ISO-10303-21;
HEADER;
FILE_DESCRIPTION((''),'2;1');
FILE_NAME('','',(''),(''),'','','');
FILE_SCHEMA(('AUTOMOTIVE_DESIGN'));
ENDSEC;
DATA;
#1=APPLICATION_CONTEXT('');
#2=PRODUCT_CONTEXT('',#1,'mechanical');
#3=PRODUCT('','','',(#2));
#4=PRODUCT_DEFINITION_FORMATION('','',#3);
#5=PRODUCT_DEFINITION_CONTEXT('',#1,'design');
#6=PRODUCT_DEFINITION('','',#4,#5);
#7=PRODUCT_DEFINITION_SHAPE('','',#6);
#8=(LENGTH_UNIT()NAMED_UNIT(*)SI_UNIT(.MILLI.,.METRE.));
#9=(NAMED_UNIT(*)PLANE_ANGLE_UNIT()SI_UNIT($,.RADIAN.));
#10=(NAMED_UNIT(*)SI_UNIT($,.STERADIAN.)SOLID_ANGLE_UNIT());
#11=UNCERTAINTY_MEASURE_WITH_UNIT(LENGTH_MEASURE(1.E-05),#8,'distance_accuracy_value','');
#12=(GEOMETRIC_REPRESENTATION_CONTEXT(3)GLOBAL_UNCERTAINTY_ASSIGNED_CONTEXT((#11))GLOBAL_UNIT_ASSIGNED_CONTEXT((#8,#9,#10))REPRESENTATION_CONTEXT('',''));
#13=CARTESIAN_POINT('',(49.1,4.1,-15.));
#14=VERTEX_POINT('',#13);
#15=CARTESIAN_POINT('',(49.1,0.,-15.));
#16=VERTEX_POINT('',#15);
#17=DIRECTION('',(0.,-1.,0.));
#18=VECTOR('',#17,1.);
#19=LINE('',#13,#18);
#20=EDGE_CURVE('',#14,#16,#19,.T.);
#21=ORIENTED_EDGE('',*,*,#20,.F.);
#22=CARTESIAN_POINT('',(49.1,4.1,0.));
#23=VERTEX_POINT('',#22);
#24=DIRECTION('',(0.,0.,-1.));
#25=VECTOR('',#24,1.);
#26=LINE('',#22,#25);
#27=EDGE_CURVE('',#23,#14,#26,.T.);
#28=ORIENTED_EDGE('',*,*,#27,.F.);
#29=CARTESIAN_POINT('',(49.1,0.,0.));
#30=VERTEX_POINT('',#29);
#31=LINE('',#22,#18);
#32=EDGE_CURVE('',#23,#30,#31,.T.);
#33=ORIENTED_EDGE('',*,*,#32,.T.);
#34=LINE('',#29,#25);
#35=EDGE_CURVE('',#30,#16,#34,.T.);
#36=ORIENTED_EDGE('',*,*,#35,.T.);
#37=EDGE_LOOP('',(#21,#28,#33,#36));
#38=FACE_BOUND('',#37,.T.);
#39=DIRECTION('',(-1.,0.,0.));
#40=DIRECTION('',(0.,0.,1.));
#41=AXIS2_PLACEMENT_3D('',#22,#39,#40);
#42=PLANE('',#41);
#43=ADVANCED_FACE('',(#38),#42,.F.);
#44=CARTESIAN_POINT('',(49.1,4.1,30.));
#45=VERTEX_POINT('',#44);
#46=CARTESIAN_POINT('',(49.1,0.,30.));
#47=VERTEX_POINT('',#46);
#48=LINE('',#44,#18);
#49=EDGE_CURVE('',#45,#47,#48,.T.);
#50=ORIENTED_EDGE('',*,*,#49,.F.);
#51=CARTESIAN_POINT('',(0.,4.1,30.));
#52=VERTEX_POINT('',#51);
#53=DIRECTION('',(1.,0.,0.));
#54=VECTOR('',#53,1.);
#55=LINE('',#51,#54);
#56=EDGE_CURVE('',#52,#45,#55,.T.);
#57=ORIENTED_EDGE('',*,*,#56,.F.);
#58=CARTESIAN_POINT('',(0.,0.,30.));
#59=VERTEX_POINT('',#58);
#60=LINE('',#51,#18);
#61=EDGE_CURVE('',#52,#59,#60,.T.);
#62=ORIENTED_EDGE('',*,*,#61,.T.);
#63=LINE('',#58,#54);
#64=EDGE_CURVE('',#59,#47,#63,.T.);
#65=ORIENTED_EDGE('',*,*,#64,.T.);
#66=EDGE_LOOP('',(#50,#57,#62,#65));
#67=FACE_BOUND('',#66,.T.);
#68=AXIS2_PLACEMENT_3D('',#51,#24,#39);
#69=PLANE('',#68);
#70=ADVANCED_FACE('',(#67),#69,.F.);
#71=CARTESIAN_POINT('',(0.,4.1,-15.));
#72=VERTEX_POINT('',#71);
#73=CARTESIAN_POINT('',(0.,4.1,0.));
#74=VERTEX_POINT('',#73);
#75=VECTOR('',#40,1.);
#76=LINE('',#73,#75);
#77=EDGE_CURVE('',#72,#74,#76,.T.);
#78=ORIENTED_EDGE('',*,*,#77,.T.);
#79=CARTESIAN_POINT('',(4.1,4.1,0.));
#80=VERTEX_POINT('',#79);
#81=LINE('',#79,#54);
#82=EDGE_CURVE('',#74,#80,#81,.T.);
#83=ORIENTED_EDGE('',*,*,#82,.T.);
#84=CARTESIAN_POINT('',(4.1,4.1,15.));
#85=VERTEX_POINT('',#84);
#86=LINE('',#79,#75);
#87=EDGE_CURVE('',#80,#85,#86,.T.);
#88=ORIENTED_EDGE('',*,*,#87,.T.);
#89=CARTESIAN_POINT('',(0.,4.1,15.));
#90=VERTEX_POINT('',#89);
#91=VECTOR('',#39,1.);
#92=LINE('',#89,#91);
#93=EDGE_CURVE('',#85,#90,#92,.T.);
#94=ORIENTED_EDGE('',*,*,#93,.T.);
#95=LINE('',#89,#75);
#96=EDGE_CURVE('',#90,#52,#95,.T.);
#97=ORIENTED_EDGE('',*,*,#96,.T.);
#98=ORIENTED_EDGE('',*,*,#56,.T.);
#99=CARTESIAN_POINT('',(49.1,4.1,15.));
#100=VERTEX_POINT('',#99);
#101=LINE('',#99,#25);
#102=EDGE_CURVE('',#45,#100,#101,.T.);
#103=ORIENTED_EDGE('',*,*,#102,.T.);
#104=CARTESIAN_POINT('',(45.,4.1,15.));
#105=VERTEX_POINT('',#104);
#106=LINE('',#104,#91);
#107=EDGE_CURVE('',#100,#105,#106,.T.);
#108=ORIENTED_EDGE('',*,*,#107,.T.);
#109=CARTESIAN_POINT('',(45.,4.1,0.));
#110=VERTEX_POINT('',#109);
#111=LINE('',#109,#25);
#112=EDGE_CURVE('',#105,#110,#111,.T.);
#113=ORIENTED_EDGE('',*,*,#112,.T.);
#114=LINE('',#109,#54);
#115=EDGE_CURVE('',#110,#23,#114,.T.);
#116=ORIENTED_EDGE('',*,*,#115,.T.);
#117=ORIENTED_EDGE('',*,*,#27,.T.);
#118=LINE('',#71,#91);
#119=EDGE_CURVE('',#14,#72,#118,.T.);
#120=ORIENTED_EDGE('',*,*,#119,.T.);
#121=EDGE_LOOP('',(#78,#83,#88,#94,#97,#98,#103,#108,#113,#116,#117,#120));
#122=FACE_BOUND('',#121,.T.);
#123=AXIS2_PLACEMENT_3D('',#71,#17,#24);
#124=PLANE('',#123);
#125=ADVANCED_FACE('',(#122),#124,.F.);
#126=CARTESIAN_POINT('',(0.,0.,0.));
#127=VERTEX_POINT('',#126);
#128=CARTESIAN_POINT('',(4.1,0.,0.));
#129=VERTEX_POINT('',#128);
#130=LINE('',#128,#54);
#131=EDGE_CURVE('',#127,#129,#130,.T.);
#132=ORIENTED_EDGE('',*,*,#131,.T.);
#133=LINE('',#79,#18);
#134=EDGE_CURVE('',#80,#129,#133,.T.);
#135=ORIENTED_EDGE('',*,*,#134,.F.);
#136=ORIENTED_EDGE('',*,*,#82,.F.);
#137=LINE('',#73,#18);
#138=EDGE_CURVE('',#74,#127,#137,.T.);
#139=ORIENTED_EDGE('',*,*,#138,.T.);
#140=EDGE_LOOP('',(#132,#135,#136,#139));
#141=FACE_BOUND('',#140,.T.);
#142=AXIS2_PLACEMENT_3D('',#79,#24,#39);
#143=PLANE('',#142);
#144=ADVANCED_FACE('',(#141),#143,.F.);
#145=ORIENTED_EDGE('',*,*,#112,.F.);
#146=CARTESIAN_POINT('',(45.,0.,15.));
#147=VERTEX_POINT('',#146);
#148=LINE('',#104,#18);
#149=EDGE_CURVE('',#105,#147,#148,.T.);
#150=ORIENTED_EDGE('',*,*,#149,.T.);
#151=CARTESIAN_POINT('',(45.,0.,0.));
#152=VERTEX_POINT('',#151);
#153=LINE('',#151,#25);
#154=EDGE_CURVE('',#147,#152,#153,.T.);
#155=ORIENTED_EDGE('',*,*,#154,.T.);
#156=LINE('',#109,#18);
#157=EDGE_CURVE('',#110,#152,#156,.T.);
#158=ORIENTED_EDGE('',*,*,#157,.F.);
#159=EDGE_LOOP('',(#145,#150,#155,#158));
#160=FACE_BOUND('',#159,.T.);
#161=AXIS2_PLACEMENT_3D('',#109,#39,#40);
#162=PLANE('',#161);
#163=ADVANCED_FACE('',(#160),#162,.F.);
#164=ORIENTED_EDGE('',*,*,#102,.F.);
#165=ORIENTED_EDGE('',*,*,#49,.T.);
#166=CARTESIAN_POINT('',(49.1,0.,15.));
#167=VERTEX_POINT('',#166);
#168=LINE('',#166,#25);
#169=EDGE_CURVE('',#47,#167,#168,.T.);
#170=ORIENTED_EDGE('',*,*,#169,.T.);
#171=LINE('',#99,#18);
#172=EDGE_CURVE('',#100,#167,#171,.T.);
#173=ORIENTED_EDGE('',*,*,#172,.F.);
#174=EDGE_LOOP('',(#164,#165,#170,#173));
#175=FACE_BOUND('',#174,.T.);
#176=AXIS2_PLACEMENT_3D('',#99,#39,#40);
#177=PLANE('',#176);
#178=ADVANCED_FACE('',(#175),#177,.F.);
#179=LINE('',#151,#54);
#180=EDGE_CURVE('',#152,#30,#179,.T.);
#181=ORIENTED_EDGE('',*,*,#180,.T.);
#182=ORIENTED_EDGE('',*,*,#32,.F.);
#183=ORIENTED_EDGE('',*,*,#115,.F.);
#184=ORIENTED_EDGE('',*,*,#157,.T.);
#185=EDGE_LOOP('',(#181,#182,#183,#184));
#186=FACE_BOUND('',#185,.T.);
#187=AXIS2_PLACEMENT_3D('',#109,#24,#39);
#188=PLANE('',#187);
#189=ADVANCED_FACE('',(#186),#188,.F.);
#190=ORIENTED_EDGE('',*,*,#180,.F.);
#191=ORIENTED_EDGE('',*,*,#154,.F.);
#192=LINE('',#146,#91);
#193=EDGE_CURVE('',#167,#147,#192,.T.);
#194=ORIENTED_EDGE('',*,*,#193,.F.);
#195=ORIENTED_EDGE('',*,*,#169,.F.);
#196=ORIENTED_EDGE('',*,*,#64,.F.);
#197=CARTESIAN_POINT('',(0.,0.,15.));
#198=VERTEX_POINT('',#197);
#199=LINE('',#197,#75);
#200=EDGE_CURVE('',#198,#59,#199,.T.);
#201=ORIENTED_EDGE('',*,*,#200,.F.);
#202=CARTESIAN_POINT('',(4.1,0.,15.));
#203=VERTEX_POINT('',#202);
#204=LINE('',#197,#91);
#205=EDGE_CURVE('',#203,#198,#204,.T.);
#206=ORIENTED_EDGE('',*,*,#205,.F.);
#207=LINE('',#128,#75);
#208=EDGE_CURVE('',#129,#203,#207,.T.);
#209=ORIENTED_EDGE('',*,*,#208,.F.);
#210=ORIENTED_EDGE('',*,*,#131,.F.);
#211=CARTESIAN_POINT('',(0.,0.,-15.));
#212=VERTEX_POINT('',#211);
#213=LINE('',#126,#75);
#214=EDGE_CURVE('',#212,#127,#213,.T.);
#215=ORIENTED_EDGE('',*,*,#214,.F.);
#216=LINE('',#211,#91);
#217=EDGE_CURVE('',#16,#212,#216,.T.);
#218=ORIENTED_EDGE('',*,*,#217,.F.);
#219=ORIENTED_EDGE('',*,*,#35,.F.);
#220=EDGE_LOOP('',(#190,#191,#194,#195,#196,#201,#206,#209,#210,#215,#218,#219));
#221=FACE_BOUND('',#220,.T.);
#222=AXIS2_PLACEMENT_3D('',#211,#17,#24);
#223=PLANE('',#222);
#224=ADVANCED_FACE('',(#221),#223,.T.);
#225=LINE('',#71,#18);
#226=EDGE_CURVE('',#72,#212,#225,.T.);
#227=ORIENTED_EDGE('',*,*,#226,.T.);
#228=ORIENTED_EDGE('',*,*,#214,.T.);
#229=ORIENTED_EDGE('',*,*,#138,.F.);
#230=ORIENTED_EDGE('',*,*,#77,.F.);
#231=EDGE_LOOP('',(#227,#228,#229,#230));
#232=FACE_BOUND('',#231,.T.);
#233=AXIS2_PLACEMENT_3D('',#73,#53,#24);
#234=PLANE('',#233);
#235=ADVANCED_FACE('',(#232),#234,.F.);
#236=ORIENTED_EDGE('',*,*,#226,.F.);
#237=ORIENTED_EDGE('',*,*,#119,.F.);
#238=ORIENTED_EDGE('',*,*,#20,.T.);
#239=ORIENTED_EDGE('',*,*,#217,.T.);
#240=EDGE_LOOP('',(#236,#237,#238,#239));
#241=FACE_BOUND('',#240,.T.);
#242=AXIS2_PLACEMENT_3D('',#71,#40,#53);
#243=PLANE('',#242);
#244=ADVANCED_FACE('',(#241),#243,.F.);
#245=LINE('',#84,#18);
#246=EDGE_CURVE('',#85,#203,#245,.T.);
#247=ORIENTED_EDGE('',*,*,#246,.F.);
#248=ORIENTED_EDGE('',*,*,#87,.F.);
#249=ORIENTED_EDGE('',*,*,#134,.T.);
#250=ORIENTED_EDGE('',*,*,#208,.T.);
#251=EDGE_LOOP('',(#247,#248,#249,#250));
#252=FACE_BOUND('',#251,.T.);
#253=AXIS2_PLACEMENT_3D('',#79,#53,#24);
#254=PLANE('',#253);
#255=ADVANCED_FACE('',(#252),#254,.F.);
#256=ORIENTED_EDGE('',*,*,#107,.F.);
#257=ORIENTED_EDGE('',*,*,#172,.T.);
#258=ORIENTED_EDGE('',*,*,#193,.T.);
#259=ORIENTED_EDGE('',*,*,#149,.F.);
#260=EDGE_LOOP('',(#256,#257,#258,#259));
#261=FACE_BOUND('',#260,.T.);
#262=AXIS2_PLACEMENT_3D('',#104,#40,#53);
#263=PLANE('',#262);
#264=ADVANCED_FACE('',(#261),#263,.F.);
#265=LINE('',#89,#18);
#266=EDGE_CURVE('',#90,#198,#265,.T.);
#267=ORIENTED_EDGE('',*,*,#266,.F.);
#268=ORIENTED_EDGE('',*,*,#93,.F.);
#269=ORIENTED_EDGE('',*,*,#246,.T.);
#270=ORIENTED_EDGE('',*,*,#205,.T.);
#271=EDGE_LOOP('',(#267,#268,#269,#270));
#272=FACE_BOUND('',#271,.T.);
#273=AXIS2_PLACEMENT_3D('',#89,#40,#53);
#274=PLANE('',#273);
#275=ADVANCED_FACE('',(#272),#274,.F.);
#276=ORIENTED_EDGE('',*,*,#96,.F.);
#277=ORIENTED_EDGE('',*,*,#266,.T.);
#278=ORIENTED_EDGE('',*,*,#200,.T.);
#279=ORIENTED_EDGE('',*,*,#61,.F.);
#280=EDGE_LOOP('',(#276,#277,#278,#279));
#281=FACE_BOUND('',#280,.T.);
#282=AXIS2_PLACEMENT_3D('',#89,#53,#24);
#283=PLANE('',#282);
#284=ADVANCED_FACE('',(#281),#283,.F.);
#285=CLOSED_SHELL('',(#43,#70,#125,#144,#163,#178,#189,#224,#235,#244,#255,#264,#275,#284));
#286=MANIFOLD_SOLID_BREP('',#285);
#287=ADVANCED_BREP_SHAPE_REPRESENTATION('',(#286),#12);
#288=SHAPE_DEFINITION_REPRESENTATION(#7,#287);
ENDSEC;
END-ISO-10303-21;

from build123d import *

# Parameters (mm, degrees)
BOSS_EXTRUDE1_DEPTH = 4.1


with BuildPart() as part:
    # Sketch1 → Boss-Extrude1 (new body)
    with BuildSketch(Plane(origin=(0, 0, 0), x_dir=(1, 0, 0), z_dir=(0, 1, 0))):
        Polygon((4.1, 0), (0, 0), (0, 15), (49.1, 15), (49.1, 0), (45, 0), (45, -15), (49.1, -15), (49.1, -30), (0, -30), (0, -15), (4.1, -15), align=None)
    extrude(amount=BOSS_EXTRUDE1_DEPTH)


solid = part.part
